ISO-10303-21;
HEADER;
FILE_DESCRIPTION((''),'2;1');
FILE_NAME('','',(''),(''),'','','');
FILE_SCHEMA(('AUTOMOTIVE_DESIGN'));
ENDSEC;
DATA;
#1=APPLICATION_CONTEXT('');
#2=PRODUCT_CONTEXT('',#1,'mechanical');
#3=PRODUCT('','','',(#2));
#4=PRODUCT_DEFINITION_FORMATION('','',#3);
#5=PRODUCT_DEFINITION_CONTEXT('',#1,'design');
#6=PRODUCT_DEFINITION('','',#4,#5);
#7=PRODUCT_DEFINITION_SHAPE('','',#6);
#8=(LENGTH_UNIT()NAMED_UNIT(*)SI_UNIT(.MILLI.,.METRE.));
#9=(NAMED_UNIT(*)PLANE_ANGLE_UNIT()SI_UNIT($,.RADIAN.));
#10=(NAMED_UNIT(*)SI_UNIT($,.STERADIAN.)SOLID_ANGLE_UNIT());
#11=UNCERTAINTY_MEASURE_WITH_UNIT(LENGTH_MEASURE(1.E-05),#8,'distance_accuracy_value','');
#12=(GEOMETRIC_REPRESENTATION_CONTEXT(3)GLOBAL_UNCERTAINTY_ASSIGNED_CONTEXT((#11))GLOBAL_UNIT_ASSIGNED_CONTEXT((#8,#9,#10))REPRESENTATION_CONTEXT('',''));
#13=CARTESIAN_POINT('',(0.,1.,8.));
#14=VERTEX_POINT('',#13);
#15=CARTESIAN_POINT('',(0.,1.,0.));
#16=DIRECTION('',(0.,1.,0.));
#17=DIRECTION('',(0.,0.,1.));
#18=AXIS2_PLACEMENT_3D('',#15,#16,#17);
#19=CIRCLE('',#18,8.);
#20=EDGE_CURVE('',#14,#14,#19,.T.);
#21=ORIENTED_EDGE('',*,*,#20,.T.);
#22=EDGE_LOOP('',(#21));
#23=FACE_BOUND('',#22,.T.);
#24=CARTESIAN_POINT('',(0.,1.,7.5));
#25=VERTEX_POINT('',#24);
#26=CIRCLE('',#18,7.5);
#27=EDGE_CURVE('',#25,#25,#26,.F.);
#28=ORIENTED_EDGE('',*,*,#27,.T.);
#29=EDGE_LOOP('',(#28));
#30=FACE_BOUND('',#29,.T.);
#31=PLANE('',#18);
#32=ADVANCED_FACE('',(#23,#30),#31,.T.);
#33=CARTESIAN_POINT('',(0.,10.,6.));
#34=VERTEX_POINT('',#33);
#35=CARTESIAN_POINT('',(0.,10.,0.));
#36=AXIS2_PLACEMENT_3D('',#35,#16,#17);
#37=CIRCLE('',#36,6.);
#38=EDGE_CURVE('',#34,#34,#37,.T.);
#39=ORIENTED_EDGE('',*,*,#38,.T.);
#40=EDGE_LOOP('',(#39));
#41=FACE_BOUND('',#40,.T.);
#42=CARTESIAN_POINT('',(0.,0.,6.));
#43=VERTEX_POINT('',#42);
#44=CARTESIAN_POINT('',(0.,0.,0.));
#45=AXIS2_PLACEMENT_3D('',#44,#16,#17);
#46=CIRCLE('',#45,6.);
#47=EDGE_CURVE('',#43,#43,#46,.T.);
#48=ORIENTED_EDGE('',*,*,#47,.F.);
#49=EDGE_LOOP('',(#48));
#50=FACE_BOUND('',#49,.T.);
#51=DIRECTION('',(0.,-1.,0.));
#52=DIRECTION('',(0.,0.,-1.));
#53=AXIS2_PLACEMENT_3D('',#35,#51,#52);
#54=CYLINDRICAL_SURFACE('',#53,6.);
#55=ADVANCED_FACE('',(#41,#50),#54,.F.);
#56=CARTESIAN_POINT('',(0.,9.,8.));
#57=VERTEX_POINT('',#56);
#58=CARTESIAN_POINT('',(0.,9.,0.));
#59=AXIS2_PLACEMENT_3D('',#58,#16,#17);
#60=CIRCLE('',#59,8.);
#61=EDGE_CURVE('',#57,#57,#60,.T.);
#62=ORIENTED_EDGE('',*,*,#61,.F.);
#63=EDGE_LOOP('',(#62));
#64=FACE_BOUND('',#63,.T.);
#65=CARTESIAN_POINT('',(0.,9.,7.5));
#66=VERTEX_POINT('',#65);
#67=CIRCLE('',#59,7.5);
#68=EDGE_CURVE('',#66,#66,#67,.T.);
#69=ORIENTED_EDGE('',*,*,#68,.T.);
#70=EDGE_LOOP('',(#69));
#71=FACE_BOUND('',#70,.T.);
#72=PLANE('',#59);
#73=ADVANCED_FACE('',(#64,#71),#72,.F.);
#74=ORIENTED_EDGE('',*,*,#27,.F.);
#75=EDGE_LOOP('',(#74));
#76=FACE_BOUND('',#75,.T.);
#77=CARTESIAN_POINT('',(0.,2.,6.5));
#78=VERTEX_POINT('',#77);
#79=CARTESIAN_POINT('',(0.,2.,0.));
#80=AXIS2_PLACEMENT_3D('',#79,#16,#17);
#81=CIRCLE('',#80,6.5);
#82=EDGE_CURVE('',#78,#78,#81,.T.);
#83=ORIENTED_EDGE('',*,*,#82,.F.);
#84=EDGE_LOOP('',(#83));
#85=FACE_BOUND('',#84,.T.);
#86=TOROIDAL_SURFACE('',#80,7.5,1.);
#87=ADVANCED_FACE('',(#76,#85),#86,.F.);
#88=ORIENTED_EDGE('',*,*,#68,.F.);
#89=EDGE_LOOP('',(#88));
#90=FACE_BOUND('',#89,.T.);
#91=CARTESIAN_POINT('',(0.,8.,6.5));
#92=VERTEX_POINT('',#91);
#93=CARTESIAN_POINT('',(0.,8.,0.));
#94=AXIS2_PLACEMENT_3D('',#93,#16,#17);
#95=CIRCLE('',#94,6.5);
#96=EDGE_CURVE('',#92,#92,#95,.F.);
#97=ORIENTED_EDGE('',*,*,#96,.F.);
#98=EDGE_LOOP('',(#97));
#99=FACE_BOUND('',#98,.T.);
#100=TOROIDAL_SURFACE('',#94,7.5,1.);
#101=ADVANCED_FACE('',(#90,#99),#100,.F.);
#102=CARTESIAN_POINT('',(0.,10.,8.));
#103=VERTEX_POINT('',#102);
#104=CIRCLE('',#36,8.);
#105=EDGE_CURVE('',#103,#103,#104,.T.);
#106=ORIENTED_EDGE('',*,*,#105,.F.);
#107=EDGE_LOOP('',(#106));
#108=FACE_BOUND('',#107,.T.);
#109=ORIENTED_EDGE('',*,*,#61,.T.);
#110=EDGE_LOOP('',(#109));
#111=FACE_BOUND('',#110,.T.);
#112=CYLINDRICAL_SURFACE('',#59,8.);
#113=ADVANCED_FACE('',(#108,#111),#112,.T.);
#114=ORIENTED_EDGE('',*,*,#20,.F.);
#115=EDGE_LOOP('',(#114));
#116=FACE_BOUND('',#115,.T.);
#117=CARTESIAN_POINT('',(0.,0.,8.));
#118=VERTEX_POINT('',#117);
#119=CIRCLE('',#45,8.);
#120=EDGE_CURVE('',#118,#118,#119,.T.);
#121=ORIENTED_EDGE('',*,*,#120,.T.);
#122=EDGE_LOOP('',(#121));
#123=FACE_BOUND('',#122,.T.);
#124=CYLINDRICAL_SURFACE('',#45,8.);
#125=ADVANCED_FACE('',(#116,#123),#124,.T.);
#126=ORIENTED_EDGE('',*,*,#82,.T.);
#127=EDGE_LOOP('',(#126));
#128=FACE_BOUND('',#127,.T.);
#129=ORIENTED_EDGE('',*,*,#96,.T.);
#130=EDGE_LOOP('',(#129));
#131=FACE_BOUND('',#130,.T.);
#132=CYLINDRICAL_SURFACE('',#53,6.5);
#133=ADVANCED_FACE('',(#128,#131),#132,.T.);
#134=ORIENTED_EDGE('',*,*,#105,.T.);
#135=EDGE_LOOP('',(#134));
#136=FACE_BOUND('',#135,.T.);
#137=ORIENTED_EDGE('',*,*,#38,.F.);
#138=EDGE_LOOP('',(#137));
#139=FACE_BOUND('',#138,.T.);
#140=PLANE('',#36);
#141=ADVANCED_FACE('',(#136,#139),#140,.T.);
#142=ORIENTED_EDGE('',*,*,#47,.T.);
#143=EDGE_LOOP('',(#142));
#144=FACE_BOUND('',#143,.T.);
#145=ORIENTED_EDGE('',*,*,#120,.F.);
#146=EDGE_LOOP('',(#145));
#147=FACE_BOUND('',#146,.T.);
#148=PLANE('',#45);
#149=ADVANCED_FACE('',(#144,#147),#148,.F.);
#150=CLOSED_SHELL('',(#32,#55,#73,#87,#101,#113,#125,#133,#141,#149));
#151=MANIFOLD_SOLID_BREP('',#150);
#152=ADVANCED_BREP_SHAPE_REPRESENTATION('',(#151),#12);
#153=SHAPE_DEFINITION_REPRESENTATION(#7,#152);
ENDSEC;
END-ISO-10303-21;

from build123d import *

# Parameters (mm, degrees)
SKETCH1_R           = 6.5
SKETCH1_R_2         = 6
BOSS_EXTRUDE1_DEPTH = 10
BOSS_EXTRUDE2_START = -1
SKETCH2_R           = 8
SKETCH2_R_2         = 6
BOSS_EXTRUDE2_DEPTH = 1
LPATTERN1_COUNT     = 2
LPATTERN1_PITCH     = 9
FILLET1_R           = 1


with BuildPart() as part:
    # Sketch1 → Boss-Extrude1 (new body)
    with BuildSketch(Plane(origin=(0, 0, 0), x_dir=(1, 0, 0), z_dir=(0, 1, 0))):
        with Locations(Location((0, 0, 0), (0, 0, 270))):
            Circle(SKETCH1_R)
        with Locations(Location((0, 0, 0), (0, 0, 270))):
            Circle(SKETCH1_R_2, mode=Mode.SUBTRACT)
    extrude(amount=BOSS_EXTRUDE1_DEPTH)

    # Sketch2 → Boss-Extrude2 (add)
    with BuildSketch(Plane(origin=(0, 10, 0), x_dir=(1, 0, 0), z_dir=(0, 1, 0)).offset(BOSS_EXTRUDE2_START)):
        with Locations(Location((0, 0, 0), (0, 0, 270))):
            Circle(SKETCH2_R)
        with Locations(Location((0, 0, 0), (0, 0, 270))):
            Circle(SKETCH2_R_2, mode=Mode.SUBTRACT)
    boss_extrude2 = extrude(amount=BOSS_EXTRUDE2_DEPTH)

    # LPattern1: Boss-Extrude2 ×2
    with Locations(*[(0, -i * LPATTERN1_PITCH, 0) for i in range(1, LPATTERN1_COUNT)]):
        add(boss_extrude2)

    # Fillet1
    fillet1_edges = [part.edges().sort_by_distance(p)[0] for p in [
        (0, 9, -6.5),
        (0, 1, -6.5),
    ]]
    fillet(fillet1_edges, radius=FILLET1_R)


solid = part.part
